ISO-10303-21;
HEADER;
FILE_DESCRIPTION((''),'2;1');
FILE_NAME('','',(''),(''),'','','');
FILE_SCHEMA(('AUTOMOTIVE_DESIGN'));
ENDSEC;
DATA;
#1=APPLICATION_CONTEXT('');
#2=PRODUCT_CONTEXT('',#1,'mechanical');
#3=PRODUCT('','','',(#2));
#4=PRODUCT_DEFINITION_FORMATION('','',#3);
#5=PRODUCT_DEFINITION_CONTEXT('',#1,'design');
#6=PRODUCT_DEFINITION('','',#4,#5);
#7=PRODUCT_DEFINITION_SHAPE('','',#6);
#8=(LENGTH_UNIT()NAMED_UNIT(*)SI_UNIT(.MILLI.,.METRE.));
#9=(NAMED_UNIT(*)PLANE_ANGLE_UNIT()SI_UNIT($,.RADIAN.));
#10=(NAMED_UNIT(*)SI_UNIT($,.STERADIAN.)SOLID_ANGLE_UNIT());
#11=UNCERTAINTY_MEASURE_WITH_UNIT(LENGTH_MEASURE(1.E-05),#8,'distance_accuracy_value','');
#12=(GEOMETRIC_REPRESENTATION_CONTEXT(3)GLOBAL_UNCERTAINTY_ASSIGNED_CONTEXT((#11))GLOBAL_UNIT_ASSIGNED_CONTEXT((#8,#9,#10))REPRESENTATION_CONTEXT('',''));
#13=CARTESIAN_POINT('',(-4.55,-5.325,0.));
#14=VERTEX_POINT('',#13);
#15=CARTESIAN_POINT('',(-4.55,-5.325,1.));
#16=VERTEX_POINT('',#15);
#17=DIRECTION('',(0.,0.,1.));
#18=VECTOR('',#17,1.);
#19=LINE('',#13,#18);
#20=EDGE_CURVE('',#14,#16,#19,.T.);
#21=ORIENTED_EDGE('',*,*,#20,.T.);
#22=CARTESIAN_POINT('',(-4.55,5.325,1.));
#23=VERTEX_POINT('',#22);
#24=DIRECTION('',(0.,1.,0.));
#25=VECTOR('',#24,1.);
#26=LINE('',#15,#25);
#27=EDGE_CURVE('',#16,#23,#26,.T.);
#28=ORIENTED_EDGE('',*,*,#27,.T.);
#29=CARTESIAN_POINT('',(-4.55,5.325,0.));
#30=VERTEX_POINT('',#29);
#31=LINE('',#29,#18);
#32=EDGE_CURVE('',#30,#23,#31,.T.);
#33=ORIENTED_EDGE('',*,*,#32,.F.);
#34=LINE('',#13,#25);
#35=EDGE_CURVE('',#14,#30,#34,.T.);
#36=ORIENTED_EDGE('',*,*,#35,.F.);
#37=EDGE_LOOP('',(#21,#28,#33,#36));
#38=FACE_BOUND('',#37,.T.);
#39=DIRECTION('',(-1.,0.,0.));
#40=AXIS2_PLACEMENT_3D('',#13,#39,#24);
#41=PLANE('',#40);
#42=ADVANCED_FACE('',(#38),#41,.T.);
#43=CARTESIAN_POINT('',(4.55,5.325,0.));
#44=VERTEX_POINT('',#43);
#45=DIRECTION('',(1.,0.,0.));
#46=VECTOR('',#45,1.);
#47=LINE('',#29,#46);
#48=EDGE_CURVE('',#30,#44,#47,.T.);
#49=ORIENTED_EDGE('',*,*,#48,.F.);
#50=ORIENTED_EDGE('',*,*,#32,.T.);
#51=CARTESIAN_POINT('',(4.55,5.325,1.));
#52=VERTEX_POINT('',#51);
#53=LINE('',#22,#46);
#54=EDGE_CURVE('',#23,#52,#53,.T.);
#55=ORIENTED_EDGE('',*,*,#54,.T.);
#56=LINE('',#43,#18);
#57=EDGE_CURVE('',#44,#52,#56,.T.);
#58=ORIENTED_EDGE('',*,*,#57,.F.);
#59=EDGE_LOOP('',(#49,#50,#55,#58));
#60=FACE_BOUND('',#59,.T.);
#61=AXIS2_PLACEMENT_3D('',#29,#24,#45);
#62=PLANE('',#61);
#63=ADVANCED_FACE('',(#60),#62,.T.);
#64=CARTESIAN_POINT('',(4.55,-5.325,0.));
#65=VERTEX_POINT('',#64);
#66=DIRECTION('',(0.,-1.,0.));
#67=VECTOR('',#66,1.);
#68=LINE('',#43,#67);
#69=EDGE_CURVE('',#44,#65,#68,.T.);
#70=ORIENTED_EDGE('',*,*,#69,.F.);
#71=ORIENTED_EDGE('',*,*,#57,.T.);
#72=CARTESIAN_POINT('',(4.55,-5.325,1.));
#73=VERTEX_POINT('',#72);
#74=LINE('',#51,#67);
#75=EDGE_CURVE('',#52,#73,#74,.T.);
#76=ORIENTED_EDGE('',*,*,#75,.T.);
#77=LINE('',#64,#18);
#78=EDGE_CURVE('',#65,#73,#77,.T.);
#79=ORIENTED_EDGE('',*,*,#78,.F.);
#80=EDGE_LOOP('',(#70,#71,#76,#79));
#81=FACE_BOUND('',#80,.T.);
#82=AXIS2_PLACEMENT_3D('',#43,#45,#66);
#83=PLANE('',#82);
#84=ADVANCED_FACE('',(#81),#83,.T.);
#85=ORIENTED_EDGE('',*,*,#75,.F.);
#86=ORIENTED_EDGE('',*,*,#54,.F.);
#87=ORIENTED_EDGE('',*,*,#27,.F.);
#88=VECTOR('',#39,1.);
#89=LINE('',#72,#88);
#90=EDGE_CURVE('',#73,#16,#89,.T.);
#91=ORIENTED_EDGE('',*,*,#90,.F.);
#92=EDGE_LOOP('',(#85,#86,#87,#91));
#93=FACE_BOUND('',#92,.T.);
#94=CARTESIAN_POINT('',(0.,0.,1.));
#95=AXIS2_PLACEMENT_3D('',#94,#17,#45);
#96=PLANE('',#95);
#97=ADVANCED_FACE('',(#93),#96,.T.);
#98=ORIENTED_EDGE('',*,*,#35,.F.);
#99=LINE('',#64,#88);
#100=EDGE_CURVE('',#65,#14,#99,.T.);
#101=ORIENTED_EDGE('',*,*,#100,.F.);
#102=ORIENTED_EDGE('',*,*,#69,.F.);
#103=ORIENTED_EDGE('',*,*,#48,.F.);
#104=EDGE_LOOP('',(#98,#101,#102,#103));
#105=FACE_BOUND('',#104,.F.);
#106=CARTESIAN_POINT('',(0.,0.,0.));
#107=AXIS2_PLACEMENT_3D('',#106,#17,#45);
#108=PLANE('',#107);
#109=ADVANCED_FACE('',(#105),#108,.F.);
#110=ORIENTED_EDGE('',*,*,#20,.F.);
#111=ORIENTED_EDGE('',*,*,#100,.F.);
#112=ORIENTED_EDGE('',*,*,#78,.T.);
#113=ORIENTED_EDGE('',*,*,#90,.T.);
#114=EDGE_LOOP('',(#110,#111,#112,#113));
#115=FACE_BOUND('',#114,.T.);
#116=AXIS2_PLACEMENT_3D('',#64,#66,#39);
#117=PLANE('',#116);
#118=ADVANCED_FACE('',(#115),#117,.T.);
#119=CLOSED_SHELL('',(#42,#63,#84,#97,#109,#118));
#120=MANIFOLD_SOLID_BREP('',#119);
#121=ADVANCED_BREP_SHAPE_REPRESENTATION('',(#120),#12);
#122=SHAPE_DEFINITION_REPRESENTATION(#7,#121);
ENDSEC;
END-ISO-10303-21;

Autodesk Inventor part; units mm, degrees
ref_plane "YZ Plane" through (0, 0, 0) normal (1, 0, 0) x (0, 1, 0)
ref_plane "XZ Plane" through (0, 0, 0) normal (0, 1, 0) x (-1, 0, 0)
ref_plane "XY Plane" through (0, 0, 0) normal (0, 0, 1) x (1, 0, 0)
sketch "DIP760_8, 25AA1024_DIP8_298" plane through (0, 0, 0) normal (0, 0, 1) x (1, 0, 0)
  line L0 (-4.55, -5.325) -> (-4.55, 5.325)
  line L1 (-4.55, 5.325) -> (4.55, 5.325)
  line L2 (4.55, 5.325) -> (4.55, -5.325)
  line L3 (4.55, -5.325) -> (-4.55, -5.325)
extrude "Extrusion1" add sketch "DIP760_8, 25AA1024_DIP8_298" along normal blind 1
properties part number "25AA1024_DIP8"
